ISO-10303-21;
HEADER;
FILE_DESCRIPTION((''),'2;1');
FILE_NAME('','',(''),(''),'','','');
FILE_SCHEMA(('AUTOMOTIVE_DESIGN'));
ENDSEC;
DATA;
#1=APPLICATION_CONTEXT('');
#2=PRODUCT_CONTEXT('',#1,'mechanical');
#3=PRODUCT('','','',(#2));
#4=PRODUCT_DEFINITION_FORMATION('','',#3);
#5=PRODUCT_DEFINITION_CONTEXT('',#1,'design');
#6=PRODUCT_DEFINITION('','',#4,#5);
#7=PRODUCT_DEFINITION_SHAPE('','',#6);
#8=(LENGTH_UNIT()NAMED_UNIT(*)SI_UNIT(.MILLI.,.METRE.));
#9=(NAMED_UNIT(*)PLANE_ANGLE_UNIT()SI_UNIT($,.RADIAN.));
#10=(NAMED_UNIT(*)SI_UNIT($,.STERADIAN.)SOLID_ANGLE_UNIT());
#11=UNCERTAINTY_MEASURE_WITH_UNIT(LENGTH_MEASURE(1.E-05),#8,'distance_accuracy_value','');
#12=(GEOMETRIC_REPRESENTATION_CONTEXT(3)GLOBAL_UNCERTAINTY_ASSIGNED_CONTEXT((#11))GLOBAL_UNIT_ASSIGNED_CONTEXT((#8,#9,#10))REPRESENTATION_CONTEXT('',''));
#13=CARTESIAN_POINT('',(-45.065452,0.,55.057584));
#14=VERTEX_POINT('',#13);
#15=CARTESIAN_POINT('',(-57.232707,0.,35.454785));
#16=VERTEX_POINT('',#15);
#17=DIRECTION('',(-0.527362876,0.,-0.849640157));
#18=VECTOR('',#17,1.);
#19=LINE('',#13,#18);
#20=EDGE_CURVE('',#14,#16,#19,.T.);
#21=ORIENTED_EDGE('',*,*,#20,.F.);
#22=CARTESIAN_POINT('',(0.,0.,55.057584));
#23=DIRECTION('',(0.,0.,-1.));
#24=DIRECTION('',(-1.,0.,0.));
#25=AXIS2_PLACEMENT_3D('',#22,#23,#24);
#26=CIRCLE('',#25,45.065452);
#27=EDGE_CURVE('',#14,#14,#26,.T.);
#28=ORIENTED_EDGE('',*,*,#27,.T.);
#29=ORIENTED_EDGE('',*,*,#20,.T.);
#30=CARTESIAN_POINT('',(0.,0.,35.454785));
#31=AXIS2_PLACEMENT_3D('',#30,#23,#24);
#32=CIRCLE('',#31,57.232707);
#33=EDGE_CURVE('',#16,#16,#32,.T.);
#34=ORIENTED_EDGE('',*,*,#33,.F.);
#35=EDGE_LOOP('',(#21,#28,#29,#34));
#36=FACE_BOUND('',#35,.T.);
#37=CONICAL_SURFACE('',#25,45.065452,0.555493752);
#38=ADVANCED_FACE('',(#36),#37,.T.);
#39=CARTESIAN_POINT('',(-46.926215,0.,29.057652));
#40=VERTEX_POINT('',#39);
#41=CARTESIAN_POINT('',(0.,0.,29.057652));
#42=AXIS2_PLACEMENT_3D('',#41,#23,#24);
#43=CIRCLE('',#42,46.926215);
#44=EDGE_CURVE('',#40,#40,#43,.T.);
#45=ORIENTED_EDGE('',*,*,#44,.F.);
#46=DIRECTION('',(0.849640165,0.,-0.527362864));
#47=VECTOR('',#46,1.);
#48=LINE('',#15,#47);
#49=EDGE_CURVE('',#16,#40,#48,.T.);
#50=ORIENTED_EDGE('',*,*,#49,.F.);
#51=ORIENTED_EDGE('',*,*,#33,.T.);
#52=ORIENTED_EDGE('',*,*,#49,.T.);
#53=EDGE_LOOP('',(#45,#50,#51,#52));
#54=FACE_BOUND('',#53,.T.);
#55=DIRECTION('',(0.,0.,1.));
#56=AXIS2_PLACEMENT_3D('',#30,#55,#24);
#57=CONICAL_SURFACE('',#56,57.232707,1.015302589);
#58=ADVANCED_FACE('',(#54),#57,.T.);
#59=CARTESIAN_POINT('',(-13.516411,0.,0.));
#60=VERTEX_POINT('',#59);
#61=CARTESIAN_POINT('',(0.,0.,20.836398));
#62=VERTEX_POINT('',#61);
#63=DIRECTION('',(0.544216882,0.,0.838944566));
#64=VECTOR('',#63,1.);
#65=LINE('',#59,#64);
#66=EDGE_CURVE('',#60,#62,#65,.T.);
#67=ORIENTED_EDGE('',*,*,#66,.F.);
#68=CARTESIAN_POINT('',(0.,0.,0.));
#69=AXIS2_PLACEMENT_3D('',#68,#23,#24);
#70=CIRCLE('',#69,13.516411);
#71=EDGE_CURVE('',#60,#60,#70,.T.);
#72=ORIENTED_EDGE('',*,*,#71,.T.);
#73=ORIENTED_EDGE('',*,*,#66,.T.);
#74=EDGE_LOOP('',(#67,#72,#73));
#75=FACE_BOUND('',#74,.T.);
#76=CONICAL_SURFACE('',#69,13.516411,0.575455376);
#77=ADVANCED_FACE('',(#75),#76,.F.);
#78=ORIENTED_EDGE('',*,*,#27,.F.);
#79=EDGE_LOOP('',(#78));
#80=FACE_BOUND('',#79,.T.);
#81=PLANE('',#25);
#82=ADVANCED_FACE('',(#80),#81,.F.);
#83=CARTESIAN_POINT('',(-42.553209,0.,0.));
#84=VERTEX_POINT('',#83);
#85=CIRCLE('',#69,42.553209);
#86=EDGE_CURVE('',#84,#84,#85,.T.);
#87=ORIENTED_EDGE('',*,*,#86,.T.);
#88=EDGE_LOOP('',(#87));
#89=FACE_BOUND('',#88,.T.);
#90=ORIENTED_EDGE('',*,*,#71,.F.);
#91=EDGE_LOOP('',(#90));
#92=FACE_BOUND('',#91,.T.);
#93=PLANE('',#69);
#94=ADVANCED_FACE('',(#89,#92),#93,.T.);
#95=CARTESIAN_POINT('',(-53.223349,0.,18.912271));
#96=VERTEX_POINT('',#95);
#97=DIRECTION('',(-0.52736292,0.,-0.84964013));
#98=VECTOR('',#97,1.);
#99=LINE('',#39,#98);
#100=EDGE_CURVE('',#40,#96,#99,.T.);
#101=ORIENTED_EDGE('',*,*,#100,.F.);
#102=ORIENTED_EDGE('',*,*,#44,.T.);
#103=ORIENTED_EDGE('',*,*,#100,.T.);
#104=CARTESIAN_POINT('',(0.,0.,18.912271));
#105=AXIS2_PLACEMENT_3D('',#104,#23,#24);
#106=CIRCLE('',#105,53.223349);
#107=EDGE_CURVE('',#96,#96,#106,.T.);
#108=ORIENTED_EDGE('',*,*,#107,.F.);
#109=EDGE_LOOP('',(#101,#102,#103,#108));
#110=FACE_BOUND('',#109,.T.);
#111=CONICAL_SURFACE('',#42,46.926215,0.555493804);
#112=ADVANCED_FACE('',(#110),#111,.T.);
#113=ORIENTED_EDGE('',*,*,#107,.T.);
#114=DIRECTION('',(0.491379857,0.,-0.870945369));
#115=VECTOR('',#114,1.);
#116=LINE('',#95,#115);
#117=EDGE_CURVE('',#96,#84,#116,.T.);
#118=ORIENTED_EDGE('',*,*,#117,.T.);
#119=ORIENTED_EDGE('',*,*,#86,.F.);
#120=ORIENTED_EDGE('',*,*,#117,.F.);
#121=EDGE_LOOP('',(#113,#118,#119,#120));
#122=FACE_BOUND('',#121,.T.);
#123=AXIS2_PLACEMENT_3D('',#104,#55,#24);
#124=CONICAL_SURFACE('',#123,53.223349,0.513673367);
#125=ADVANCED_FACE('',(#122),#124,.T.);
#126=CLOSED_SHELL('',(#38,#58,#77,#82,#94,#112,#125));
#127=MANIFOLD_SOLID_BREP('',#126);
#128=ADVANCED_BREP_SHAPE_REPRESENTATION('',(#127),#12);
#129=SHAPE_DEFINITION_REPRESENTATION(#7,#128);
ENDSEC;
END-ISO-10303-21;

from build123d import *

# Parameters (mm, degrees)
F3_DEPTH = 31.425066


with BuildPart() as f1:
    # F0 (on Front) → F1 (revolve)
    with BuildSketch(Plane.XZ):
        Polygon((-13.516411, 0), (0, 20.836398), (0, 55.057584), (-45.065452, 55.057584), (-57.232707, 35.454785), (-46.926215, 29.057652), (-53.223349, 18.912271), (-42.553209, 0), align=None)
    revolve(axis=Axis((0, 0, 37.946991), (0, 0, -1)))

    # F2 (on face) → F3 (join)
    with BuildSketch(Plane.XY.offset(55.057584)):
        Polygon((-21.350675, 35.578321), (-41.487068, -0.701066), (-20.136393, -36.279387), (21.350675, -35.578321), (41.487068, 0.701066), (20.136393, 36.279387), align=None)
    extrude(amount=-F3_DEPTH)


solid = f1.part
